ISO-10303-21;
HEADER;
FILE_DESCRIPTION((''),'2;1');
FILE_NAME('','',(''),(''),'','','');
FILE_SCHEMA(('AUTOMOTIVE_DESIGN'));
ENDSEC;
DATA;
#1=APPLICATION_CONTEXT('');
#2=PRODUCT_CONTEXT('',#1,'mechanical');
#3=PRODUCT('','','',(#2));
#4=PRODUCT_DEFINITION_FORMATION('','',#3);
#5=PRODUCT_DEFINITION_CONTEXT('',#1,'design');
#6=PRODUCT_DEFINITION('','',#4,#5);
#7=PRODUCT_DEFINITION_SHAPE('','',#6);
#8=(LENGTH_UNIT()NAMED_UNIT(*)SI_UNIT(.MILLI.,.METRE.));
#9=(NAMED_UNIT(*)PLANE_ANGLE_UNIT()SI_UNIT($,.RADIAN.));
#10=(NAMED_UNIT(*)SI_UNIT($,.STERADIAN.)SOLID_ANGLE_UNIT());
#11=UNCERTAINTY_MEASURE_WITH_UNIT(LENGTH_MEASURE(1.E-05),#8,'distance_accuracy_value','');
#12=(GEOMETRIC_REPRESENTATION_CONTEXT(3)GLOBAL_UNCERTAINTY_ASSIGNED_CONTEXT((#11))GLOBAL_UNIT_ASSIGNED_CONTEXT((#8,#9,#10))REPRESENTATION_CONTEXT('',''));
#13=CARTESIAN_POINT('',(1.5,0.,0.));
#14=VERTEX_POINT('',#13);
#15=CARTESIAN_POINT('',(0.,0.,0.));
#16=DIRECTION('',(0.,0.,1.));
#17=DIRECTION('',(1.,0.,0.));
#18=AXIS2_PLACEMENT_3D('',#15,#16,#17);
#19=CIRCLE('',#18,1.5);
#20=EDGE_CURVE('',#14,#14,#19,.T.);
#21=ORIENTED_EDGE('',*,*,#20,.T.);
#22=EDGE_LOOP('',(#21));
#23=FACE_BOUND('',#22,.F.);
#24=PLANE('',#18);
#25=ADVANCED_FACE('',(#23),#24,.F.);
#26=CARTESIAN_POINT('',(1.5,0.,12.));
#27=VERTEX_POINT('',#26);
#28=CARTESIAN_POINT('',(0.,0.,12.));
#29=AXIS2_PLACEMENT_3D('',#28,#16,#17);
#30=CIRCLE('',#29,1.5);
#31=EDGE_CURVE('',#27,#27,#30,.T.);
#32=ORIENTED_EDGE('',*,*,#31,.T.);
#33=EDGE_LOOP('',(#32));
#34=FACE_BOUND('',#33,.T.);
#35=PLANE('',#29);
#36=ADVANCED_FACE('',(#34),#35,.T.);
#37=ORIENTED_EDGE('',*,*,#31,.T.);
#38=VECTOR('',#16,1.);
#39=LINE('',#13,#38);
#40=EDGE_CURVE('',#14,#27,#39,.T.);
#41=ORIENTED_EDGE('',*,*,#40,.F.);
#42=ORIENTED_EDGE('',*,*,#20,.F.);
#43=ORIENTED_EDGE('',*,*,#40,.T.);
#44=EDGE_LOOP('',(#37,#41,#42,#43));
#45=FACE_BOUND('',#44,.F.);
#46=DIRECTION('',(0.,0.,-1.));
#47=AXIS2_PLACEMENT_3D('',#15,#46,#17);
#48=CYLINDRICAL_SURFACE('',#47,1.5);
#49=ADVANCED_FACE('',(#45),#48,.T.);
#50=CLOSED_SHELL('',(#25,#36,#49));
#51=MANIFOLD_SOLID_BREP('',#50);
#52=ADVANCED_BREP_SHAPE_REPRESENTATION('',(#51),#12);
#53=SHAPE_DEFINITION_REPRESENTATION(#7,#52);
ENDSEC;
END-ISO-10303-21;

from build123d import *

# Parameters (mm, degrees)
SKETCH2_R           = 1.5
BOSS_EXTRUDE1_DEPTH = 12


with BuildPart() as part:
    # Sketch2 → Boss-Extrude1 (new body)
    with BuildSketch(Plane.XY):
        Circle(SKETCH2_R)
    extrude(amount=BOSS_EXTRUDE1_DEPTH)


solid = part.part
